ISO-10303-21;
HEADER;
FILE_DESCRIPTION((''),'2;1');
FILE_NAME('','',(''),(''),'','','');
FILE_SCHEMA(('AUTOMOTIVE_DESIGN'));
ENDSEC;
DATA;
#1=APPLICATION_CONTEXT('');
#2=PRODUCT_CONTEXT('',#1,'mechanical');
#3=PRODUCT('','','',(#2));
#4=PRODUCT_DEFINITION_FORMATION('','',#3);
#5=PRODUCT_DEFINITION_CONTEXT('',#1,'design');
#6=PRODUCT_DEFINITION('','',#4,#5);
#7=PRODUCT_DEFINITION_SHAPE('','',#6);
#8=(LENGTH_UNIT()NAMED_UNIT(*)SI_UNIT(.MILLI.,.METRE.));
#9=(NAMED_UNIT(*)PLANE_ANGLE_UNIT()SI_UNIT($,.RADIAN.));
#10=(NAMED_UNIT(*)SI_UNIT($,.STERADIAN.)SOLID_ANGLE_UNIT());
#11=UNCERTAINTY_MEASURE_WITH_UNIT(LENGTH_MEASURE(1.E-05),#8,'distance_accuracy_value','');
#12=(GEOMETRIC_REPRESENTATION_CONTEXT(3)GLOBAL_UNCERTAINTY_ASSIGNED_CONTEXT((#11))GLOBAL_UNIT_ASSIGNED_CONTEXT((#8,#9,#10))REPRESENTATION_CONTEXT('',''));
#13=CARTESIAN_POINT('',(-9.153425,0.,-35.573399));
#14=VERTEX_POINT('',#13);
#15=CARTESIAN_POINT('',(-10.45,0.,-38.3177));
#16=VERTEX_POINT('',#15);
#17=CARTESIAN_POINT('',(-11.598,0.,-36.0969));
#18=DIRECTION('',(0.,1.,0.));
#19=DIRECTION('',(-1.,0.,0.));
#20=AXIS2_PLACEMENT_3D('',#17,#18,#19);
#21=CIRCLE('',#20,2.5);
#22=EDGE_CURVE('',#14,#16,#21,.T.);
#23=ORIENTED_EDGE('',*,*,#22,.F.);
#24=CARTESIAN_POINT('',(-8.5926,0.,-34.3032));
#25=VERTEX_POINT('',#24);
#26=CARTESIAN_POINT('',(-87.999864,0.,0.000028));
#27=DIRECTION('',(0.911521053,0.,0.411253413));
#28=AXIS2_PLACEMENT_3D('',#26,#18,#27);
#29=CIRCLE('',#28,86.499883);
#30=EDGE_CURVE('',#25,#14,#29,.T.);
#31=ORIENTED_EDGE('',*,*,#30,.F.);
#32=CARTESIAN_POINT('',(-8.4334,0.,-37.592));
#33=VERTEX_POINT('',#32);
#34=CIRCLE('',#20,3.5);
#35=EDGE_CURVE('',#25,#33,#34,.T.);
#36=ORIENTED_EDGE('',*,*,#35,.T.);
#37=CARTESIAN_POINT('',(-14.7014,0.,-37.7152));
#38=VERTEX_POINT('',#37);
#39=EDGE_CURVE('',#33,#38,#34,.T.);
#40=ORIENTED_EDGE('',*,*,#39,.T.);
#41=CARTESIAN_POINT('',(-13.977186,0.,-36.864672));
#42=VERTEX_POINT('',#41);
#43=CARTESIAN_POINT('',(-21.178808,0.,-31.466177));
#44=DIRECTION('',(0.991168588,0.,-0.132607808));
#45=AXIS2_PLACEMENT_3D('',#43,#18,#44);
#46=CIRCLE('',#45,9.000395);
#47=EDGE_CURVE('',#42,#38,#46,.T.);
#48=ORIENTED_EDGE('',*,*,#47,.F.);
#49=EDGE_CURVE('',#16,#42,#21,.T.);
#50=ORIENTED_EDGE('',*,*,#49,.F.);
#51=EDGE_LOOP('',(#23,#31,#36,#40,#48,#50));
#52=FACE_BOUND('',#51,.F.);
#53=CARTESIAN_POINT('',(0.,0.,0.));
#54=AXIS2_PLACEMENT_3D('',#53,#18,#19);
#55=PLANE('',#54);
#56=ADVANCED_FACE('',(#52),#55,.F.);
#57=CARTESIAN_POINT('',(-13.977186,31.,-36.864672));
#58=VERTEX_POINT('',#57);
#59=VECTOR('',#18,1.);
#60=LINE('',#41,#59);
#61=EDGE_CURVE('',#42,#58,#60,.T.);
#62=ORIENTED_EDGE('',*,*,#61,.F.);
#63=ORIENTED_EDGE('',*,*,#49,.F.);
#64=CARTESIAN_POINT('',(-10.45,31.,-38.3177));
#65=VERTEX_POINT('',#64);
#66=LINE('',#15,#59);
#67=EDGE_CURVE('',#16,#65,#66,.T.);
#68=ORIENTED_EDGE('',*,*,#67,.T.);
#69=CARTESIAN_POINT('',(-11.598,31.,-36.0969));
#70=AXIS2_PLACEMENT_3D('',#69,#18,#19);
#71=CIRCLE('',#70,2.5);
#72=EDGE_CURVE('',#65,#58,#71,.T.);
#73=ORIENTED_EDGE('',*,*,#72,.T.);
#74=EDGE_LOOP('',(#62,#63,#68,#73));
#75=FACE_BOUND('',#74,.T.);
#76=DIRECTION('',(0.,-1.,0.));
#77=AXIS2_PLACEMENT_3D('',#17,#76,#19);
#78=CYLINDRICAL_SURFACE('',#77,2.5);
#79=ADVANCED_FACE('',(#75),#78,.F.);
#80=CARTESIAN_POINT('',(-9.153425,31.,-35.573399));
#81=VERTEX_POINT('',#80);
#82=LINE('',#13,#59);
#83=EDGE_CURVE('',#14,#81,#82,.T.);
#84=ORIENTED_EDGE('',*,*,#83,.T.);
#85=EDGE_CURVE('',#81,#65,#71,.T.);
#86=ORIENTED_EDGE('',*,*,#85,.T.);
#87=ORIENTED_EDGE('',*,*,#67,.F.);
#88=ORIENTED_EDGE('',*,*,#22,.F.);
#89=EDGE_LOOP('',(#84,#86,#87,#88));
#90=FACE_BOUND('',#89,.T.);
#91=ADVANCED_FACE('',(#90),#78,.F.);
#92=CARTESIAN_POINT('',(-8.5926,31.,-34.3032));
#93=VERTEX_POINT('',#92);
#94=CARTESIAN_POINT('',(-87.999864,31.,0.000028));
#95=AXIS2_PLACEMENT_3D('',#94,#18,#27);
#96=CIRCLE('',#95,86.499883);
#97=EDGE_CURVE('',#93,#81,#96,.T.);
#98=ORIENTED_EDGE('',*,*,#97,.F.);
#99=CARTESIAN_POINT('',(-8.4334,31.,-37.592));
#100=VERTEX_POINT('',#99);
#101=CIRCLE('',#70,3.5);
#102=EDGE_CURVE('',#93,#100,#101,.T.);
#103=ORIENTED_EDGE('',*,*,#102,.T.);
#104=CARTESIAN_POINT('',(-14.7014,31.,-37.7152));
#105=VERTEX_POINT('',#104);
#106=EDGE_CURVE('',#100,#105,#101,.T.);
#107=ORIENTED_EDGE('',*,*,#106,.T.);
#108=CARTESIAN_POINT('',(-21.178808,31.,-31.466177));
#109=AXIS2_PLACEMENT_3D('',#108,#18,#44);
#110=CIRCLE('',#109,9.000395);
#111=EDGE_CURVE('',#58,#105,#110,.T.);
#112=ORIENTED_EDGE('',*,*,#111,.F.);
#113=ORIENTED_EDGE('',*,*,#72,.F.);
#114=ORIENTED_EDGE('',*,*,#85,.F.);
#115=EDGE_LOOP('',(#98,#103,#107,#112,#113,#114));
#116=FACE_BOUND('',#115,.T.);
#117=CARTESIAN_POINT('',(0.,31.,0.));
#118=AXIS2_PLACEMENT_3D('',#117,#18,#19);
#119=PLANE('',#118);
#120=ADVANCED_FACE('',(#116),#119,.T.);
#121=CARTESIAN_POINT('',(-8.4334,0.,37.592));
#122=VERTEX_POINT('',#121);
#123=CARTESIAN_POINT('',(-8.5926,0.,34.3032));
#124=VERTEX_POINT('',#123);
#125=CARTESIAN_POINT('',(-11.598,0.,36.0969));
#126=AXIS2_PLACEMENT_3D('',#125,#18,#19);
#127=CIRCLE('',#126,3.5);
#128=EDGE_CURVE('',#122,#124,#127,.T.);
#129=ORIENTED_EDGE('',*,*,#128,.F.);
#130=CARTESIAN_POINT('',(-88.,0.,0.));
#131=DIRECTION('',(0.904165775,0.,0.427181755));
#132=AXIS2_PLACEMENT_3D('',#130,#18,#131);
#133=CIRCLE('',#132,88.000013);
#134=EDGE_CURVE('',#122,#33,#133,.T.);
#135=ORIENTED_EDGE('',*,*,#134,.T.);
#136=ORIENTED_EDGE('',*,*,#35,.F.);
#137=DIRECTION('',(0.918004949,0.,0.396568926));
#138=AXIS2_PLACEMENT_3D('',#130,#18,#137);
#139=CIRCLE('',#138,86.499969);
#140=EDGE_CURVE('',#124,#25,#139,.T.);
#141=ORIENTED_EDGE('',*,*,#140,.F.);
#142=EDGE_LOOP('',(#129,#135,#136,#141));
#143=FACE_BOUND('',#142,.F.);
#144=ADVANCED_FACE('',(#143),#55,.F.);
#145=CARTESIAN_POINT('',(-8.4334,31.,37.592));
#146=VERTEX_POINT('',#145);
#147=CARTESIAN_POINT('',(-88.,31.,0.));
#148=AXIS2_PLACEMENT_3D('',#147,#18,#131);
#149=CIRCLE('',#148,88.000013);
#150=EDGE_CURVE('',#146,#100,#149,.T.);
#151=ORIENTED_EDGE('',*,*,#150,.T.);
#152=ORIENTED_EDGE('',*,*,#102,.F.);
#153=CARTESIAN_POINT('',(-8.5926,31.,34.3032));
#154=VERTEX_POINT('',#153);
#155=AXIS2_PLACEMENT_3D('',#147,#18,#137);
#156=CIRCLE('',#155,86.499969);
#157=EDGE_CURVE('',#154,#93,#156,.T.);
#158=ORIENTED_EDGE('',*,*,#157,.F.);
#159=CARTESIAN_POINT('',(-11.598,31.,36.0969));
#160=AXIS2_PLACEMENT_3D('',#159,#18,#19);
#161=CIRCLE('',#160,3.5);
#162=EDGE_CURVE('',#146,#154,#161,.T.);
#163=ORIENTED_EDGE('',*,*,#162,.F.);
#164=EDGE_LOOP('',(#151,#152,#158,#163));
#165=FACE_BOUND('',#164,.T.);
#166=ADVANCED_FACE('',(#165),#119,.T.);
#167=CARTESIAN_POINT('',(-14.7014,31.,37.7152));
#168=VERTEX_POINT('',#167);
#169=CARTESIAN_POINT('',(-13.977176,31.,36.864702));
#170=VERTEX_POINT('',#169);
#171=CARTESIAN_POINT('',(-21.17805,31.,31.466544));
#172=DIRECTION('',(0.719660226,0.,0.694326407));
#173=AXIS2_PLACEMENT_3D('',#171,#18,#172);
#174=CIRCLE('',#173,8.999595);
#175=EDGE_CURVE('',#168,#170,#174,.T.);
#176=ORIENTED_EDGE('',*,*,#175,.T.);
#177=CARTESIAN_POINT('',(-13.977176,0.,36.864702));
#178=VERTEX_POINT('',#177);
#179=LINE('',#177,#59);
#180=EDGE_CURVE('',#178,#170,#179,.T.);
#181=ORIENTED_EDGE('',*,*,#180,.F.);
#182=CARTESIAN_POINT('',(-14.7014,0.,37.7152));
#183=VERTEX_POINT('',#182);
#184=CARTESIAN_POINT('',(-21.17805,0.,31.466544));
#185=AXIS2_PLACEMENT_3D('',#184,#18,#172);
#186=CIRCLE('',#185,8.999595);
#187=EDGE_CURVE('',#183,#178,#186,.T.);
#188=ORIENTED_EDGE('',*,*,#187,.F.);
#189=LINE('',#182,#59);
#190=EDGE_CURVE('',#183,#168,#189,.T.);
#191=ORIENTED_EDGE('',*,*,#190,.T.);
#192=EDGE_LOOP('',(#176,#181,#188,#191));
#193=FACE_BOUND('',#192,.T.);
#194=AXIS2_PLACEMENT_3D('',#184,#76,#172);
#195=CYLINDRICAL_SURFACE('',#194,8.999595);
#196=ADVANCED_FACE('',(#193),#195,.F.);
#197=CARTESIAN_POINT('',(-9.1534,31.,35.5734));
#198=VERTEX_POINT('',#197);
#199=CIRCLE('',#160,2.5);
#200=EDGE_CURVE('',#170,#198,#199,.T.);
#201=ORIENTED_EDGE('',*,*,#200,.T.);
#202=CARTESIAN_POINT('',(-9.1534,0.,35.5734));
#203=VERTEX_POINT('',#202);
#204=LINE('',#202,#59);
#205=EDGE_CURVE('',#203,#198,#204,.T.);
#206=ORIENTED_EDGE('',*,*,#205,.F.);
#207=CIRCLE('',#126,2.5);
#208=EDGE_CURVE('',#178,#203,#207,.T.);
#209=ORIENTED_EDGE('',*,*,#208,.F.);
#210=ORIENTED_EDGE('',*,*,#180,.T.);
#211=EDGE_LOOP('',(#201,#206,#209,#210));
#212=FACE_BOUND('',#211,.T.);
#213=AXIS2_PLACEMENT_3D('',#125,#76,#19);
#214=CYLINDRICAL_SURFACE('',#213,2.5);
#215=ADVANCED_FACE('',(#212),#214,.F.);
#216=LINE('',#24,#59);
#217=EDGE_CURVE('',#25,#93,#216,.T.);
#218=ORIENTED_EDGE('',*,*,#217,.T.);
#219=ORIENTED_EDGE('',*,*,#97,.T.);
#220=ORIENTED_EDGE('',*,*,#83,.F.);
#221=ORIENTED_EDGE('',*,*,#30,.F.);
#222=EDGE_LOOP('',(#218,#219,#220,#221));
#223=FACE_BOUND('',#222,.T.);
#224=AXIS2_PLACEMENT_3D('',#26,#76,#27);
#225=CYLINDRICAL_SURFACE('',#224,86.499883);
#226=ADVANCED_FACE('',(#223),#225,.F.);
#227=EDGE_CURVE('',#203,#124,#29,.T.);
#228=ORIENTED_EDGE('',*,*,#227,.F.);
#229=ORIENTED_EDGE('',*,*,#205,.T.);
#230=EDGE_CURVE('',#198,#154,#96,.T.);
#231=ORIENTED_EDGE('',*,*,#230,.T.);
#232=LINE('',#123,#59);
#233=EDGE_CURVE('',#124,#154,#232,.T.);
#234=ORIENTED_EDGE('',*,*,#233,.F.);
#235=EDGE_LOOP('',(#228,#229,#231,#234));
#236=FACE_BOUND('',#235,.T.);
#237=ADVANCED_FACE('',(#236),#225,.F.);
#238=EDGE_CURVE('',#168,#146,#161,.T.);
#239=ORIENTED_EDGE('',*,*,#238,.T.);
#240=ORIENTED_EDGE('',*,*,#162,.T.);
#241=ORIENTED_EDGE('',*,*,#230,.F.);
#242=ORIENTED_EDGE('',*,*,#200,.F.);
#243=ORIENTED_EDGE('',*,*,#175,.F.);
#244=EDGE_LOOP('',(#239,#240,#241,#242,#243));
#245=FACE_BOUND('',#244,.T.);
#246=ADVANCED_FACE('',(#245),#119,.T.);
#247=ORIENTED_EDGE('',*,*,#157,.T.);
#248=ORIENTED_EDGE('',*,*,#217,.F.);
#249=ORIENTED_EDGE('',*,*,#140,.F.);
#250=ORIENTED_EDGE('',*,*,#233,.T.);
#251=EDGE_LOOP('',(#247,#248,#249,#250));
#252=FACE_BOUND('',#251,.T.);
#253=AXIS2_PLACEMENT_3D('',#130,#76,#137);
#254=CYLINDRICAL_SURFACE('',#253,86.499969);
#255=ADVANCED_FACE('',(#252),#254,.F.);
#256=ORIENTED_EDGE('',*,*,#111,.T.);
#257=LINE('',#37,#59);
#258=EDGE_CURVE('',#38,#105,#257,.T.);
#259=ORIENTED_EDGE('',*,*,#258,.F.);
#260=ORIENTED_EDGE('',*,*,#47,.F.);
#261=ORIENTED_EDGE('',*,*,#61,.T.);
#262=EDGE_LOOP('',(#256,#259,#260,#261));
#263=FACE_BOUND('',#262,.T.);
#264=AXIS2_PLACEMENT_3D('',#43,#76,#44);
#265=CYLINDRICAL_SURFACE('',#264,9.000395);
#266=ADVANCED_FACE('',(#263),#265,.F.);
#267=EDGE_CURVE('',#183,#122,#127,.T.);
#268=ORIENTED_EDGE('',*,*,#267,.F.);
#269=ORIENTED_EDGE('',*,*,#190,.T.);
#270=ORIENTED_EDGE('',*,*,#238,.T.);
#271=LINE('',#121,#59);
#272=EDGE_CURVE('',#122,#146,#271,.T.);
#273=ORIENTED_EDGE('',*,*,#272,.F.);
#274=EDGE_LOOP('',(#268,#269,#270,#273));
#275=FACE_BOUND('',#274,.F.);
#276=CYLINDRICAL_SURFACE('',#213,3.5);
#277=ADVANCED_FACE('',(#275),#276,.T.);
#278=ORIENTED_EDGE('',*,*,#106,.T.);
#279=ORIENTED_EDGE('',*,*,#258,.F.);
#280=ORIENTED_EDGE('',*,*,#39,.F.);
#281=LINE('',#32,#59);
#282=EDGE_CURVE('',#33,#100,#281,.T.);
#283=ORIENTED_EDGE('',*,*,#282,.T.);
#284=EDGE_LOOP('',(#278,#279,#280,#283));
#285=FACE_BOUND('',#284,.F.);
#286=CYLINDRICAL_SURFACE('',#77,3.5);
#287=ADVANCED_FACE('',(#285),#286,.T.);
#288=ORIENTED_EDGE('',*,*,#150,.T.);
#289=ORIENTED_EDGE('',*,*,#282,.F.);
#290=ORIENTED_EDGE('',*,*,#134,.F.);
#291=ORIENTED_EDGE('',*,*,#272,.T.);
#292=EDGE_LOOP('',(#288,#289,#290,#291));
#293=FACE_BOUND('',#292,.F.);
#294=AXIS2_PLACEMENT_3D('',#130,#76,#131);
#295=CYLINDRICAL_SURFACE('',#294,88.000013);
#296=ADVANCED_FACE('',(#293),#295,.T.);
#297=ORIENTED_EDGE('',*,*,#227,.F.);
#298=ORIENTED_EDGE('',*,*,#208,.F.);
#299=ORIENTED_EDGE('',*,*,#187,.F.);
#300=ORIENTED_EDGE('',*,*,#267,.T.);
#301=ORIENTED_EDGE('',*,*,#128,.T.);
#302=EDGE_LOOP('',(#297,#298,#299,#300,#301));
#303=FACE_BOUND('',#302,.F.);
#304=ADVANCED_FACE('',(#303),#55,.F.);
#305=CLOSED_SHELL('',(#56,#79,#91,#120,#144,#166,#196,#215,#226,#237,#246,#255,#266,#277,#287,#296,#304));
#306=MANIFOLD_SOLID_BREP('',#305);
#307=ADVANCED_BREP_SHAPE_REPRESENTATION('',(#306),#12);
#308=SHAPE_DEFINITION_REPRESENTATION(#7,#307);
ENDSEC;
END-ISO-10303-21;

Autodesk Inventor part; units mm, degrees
ref_plane "YZ Plane" through (0, 0, 0) normal (1, 0, 0) x (0, 1, 0)
ref_plane "XZ Plane" through (0, 0, 0) normal (0, 1, 0) x (-1, 0, 0)
ref_plane "XY Plane" through (0, 0, 0) normal (0, 0, 1) x (1, 0, 0)
sketch "スケッチ1" plane through (0, 0, 0) normal (0, 1, 0) x (-1, 0, 0)
  arc A0 (8.4334, 37.592) -> (8.4334, -37.592) centre (88, 0) ccw
  arc A1 (8.5926, 34.3032) -> (8.5926, -34.3032) centre (88, 0) ccw
  line L0 (0, -123.2) -> (0, 123.2) construction
  line L1 (211.2, 0) -> (-35.2, 0) construction
  line L2 (88, 0) -> (38.8561, -49.1439)
  line L3 (88, 0) -> (38.8561, 49.1439)
  circle A2 centre (88, 0) radius 88 construction
  line L4 (38.8561, -49.1439) -> (21.1784, -31.4663) construction
  line L5 (21.1784, -31.4663) -> (10.6608, -41.9839) construction
  line L6 (38.8561, 49.1439) -> (21.1784, 31.4663) construction
  line L7 (21.1784, 31.4663) -> (10.6608, 41.9839) construction
  circle A3 centre (11.598, 36.0969) radius 3.5
  circle A4 centre (11.598, 36.0969) radius 2.5
  circle A5 centre (11.598, -36.0969) radius 3.5
  circle A6 centre (11.598, -36.0969) radius 2.5
  arc A7 (14.7014, 37.7152) -> (12.2579, 32.6597) centre (21.1784, 31.4663) ccw
  arc A8 (12.2579, -32.6597) -> (14.7014, -37.7152) centre (21.1784, -31.4663) ccw
  arc A9 (9.1534, 35.5734) -> (10.45, -38.3177) centre (88, 0) ccw
  point P0 (0, 0)
  point P1 (12.4744, 33.7556)
  point P2 (13.9772, 36.8646)
  point P3 (8.4334, -37.592)
  point P4 (14.7014, -37.7152)
  point P5 (13.9772, -36.8646)
  point P6 (12.4744, -33.7556)
  point P7 (12.2579, -32.6597)
  point P8 (8.5926, -34.3032)
  point P9 (8.5926, 34.3032)
  point P10 (9.1534, -35.5734)
  point P11 (8.5926, -34.3032)
  dimension "d6" = 5
  dimension "d0" = 88
  dimension "d2" = 86.5
  dimension "d3" = 69.5
  dimension "d4" = 176
  dimension "d5" = 25
  dimension "d7" = 7
  dimension "d8" = 9
extrude "押し出し1" add sketch "スケッチ1" along normal blind 31 contours A3 A1 A5 A0 | A3 A7 A4 A9 | A5 A9 A6 A8 picked at (10.6807, 39.1053) picked at (8.9829, -37.8462)
properties part number "Machine_Cover"
